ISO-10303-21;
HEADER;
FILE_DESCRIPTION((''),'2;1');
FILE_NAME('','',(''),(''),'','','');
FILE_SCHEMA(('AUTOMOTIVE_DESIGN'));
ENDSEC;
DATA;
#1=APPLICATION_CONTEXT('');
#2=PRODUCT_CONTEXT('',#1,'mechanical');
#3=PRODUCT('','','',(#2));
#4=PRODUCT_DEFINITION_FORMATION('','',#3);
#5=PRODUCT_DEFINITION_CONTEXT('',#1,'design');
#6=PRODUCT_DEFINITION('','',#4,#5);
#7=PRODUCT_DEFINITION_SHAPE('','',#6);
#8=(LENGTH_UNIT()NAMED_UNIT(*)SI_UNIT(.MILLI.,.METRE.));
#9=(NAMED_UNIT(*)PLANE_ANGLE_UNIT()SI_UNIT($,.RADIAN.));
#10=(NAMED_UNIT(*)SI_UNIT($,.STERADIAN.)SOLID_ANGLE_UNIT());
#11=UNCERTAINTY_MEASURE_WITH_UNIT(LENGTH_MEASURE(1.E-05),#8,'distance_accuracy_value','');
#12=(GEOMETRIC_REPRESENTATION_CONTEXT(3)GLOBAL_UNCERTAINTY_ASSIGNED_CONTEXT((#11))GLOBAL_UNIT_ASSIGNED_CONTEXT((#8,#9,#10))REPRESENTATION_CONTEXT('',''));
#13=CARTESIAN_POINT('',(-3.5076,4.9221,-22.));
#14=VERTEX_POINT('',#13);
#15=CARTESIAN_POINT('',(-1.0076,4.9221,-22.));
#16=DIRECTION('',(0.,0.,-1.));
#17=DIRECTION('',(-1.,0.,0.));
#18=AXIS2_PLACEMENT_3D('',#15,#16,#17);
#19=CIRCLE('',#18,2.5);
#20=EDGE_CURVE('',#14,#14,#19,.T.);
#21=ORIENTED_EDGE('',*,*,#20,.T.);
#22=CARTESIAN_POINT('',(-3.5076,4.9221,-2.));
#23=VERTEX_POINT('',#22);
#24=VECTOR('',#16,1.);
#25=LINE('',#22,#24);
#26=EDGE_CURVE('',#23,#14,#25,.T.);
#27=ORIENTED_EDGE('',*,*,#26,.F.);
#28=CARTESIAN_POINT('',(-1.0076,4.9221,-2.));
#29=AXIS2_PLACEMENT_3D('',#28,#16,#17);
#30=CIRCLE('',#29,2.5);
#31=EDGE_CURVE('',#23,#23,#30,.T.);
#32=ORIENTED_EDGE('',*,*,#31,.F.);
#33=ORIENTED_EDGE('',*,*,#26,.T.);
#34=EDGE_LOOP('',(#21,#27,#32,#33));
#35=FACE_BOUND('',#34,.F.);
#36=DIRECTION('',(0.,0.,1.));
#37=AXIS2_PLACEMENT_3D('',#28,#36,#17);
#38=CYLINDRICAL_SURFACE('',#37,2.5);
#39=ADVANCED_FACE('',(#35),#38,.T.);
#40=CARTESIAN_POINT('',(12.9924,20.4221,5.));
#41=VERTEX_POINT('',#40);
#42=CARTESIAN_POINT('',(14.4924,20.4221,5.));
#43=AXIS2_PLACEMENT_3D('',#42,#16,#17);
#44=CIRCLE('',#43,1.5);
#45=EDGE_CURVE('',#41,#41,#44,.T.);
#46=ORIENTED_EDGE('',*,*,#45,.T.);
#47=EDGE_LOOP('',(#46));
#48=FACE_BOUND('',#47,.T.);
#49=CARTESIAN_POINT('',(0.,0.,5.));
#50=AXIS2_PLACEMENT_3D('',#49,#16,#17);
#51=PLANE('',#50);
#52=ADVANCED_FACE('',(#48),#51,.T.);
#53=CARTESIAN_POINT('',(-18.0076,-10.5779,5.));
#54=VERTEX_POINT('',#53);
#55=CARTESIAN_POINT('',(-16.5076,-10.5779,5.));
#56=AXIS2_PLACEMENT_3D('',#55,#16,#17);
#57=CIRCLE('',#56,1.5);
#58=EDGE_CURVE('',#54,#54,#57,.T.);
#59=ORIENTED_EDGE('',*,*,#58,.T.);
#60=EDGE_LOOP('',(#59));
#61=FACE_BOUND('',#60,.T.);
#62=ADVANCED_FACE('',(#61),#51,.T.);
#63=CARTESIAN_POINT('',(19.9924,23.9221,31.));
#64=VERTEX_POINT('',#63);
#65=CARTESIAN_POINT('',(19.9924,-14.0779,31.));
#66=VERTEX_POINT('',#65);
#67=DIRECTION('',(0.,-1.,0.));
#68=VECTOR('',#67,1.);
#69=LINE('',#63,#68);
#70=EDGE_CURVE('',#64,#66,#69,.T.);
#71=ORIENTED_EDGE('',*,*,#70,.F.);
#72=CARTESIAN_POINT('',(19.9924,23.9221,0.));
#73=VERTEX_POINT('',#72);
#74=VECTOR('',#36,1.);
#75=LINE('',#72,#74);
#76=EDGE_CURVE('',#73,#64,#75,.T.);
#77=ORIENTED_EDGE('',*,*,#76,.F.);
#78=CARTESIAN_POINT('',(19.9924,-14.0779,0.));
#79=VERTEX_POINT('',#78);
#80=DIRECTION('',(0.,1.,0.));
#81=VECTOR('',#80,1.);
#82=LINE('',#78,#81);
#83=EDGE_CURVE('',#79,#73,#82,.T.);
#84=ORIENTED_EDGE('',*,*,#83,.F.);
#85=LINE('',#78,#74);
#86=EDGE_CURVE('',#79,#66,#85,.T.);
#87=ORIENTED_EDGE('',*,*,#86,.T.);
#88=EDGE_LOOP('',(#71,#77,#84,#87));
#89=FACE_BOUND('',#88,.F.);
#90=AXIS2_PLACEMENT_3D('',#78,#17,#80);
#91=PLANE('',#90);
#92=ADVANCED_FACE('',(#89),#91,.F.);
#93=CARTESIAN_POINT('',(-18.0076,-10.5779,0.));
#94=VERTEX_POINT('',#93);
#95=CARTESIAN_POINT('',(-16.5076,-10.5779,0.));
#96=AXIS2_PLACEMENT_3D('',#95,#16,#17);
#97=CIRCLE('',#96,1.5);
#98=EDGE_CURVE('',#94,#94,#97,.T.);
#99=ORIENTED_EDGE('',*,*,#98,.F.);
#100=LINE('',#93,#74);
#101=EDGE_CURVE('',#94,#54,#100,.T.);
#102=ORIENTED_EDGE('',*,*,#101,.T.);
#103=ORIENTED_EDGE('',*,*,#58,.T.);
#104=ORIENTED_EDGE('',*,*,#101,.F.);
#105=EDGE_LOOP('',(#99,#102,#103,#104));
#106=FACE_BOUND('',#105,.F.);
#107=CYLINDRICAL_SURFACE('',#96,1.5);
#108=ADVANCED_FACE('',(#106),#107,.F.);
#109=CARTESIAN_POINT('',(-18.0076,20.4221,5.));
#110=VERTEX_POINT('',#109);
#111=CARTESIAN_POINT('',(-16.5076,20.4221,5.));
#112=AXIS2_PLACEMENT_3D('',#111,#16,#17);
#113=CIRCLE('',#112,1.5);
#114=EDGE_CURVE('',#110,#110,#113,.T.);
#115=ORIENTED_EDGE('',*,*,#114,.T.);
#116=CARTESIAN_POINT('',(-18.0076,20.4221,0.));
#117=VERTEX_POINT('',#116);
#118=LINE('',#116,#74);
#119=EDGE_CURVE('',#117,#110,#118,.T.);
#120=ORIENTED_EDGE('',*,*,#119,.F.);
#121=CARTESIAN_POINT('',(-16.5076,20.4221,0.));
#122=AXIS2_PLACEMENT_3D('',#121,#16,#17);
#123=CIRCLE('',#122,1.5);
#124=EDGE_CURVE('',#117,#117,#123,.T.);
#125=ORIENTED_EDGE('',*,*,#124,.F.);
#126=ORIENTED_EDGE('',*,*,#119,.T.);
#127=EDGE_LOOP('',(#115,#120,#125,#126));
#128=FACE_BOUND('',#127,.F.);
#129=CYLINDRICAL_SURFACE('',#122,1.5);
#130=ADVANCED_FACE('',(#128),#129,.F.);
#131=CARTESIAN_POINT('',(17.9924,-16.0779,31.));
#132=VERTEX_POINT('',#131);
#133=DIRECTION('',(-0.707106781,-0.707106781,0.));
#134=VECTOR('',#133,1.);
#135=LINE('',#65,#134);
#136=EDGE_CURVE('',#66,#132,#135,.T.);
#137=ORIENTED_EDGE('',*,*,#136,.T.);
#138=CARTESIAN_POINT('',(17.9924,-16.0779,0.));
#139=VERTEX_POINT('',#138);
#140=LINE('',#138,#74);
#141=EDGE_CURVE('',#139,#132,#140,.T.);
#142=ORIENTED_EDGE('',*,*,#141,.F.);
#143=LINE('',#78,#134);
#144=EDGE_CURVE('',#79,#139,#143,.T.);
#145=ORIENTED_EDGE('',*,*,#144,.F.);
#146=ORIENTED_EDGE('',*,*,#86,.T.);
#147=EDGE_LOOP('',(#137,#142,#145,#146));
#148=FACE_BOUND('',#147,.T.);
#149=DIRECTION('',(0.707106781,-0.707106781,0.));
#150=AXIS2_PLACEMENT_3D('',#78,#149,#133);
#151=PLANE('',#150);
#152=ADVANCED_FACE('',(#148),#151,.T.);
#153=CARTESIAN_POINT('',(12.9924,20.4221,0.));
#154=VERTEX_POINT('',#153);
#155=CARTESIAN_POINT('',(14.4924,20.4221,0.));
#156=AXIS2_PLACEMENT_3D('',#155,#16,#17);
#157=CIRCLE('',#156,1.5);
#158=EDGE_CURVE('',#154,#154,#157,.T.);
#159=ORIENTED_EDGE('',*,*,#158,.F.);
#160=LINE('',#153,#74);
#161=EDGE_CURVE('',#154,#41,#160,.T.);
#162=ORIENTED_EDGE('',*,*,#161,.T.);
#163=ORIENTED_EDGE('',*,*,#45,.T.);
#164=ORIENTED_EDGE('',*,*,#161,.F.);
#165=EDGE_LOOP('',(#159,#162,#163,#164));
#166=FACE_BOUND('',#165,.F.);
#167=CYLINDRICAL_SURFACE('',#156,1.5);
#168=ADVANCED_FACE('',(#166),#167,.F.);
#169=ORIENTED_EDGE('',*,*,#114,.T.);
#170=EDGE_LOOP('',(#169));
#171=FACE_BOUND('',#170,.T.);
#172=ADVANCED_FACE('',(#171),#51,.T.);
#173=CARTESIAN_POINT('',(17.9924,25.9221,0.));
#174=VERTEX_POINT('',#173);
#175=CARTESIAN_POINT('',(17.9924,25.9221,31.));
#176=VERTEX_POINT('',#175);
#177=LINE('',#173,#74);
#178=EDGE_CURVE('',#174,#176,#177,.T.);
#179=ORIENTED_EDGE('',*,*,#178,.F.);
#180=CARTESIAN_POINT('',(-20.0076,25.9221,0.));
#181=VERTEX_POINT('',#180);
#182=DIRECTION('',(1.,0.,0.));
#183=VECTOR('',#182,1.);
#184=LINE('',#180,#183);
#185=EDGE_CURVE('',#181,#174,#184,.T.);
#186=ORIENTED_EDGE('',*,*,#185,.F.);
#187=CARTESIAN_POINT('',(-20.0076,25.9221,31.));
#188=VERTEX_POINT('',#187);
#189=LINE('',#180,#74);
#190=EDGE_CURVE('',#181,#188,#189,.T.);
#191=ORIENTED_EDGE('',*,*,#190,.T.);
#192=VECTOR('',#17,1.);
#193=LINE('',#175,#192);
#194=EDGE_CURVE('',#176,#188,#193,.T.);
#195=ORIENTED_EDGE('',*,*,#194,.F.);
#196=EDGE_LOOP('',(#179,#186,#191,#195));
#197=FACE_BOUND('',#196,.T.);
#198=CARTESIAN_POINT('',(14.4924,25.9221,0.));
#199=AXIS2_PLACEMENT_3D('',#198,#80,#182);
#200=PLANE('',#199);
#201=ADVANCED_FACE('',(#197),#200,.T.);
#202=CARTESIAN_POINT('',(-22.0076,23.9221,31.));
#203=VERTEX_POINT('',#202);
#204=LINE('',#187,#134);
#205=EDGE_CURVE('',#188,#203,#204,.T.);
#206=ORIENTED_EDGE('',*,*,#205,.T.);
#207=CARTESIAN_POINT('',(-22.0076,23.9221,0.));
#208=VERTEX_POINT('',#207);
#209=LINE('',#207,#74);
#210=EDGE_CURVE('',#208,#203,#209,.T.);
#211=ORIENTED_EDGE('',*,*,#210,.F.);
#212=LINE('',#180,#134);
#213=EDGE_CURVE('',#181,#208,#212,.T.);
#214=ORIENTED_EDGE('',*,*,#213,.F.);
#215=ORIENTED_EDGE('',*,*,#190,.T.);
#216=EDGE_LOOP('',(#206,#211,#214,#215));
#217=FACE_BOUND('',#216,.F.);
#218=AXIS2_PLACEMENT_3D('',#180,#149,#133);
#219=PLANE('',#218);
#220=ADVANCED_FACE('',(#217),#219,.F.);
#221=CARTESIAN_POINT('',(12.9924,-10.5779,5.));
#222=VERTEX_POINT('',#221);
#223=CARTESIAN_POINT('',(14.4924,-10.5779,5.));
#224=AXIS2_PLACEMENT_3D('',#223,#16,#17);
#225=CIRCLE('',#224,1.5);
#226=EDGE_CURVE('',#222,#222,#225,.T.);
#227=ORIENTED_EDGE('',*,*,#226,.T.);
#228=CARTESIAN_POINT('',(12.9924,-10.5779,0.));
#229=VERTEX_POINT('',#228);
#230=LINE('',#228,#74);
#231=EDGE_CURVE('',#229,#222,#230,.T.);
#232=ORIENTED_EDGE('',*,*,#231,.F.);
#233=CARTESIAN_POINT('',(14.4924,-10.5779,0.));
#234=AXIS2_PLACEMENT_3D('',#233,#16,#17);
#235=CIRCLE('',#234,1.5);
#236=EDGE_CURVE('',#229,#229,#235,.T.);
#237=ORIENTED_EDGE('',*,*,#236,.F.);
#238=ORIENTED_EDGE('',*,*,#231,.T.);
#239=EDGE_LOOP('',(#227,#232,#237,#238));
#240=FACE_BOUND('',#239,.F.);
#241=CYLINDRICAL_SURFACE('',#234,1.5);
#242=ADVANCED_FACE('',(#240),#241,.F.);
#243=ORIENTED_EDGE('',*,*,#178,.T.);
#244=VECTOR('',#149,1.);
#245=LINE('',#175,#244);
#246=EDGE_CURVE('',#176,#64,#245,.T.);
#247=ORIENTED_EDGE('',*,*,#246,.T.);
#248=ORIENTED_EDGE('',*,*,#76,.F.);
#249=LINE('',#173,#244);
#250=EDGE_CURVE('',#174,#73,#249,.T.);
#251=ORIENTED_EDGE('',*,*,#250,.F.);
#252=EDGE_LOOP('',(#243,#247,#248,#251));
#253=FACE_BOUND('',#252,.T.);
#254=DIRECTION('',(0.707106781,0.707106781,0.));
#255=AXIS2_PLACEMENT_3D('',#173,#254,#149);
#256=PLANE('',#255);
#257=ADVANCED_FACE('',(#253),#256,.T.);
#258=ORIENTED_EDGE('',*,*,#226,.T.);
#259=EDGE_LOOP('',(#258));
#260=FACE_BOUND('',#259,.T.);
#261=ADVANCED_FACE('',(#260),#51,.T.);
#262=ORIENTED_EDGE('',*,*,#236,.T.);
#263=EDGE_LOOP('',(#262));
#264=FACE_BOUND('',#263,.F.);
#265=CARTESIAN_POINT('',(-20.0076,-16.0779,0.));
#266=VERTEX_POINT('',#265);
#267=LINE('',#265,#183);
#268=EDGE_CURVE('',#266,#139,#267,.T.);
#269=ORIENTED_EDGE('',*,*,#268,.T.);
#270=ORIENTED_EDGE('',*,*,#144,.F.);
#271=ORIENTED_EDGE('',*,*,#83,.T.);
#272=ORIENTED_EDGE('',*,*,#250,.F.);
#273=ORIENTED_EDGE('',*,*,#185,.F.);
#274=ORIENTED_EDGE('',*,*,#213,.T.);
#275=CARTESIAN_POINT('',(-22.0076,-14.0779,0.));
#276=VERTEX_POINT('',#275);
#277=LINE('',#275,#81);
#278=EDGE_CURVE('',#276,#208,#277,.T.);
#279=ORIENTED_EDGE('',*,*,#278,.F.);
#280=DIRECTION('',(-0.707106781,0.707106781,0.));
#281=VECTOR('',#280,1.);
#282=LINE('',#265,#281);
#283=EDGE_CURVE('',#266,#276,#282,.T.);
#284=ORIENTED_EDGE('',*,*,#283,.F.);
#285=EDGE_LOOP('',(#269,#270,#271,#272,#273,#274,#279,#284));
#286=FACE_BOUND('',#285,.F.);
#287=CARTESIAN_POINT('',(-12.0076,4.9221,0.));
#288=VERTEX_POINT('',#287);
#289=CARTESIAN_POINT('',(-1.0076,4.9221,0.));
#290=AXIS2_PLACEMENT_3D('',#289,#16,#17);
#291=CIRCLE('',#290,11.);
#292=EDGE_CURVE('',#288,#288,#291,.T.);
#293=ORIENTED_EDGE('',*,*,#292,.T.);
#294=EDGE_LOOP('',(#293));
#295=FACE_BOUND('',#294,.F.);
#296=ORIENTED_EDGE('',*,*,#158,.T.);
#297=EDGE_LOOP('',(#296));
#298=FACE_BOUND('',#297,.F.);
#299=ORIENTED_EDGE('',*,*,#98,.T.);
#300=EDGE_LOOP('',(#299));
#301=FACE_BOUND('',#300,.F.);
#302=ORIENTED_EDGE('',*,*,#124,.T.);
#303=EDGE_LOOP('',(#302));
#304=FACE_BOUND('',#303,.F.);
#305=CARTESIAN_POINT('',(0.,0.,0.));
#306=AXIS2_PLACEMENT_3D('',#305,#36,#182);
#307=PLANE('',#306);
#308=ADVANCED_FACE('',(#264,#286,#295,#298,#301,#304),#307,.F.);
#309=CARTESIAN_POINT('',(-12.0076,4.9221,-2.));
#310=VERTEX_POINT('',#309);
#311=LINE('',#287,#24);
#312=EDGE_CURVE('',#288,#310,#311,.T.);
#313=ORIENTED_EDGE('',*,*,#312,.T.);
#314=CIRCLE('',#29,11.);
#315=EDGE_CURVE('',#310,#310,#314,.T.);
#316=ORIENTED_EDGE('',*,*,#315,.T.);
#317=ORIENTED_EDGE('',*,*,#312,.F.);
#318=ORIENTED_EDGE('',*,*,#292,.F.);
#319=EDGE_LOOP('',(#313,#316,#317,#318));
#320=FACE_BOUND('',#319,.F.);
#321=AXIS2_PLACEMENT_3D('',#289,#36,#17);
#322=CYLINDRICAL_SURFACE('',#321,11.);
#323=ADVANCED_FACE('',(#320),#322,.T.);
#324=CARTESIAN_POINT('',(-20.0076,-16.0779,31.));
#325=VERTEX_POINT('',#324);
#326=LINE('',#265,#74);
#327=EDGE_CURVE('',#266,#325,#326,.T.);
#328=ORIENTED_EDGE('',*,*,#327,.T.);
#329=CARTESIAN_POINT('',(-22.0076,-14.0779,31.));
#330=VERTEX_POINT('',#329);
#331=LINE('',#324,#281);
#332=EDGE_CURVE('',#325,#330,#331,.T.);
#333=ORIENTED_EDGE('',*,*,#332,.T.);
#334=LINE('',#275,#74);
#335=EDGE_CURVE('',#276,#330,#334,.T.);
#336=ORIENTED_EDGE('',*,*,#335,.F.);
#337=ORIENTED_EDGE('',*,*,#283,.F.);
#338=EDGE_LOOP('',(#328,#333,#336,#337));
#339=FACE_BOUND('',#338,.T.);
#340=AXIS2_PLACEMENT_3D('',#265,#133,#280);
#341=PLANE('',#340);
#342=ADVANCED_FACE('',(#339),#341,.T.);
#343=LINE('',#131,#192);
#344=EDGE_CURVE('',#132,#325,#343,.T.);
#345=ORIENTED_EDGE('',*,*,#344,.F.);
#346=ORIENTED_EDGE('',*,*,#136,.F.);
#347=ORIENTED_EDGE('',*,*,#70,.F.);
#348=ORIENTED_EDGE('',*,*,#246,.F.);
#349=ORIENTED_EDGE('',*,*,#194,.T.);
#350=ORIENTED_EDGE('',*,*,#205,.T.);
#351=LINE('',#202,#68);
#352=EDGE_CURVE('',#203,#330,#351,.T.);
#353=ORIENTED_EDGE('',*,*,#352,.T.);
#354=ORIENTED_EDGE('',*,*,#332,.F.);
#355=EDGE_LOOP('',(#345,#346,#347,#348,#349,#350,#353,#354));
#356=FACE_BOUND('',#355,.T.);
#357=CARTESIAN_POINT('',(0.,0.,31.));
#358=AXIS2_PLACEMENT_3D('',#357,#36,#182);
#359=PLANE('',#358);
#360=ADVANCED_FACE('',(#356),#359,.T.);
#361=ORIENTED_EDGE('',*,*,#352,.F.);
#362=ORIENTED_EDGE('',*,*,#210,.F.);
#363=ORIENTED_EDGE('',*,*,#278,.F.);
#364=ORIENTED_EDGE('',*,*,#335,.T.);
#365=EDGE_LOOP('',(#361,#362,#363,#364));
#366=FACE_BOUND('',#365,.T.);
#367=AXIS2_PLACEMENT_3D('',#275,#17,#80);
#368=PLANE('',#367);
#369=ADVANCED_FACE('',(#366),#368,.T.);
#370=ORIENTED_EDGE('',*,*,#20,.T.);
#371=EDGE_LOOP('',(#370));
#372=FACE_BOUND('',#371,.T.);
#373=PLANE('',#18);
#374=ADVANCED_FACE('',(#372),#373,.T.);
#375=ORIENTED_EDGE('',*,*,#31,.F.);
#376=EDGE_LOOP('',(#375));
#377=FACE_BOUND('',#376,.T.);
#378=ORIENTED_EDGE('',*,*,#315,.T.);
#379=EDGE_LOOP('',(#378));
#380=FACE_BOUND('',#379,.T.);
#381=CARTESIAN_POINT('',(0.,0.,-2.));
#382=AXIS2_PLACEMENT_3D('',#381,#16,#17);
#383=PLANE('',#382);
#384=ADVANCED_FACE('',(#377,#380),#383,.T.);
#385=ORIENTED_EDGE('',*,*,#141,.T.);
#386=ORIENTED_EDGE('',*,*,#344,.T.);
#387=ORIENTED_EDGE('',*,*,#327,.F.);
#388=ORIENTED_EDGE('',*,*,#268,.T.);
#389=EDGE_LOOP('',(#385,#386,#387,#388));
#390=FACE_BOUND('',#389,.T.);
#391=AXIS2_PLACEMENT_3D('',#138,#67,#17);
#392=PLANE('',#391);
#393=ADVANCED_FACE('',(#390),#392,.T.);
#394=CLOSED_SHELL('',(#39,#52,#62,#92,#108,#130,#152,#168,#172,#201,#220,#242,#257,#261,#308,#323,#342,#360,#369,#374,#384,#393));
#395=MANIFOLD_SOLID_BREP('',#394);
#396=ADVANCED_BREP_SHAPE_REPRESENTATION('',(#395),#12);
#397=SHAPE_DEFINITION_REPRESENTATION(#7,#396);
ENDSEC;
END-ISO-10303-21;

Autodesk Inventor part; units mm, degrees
ref_plane "YZ Plane" through (0, 0, 0) normal (1, 0, 0) x (0, 1, 0)
ref_plane "XZ Plane" through (0, 0, 0) normal (0, 1, 0) x (-1, 0, 0)
ref_plane "XY Plane" through (0, 0, 0) normal (0, 0, 1) x (1, 0, 0)
sketch "Sketch1" plane through (0, 0, 0) normal (0, 0, 1) x (1, 0, 0)
  line L0 (19.9924, -21.8579) -> (16.7724, -25.0779) projected
  line L1 (19.9924, -21.8579) -> (19.9924, 20.4221) projected
  arc A0 (19.9924, 20.4221) -> (14.4924, 25.9221) centre (14.4924, 20.4221) ccw construction
  line L2 (14.4924, 25.9221) -> (14.2174, 25.9221) projected
  line L3 (14.2174, 25.9221) -> (14.2174, 26.4221) projected
  line L4 (9.7174, 30.9221) -> (14.2174, 26.4221) projected
  line L5 (-3.2826, 30.9221) -> (3.2174, 30.9221) projected
  line L6 (-7.7826, 26.4221) -> (-3.2826, 30.9221) projected
  line L7 (-7.7826, 25.9221) -> (-7.7826, 26.4221) projected
  line L8 (-7.7826, 25.9221) -> (-16.5076, 25.9221) projected
  arc A1 (-16.5076, 25.9221) -> (-22.0076, 20.4221) centre (-16.5076, 20.4221) ccw construction
  line L9 (-22.0076, 20.4221) -> (-22.0076, -10.5779) projected
  arc A2 (-22.0076, -10.5779) -> (-16.5076, -16.0779) centre (-16.5076, -10.5779) ccw construction
  line L10 (-16.5076, -16.0779) -> (-13.0076, -16.0779) projected
  line L11 (-13.0076, -16.0779) -> (-13.0076, -21.8579) projected
  line L12 (-9.7876, -25.0779) -> (-13.0076, -21.8579) projected
  line L13 (-9.7876, -25.0779) -> (-9.7826, -25.0779) projected
  line L14 (-12.7826, -28.0779) -> (-9.7826, -25.0779) projected
  line L15 (-15.5326, -28.0779) -> (-12.7826, -28.0779) projected
  line L16 (-15.5326, -28.0779) -> (-15.5326, -66.0779) projected
  arc A3 (-15.5326, -66.0779) -> (-9.5326, -72.0779) centre (-9.5326, -66.0779) ccw projected
  line L17 (-9.5326, -72.0779) -> (15.9674, -72.0779) projected
  arc A4 (15.9674, -72.0779) -> (21.9674, -66.0779) centre (15.9674, -66.0779) ccw projected
  line L18 (21.9674, -28.0779) -> (21.9674, -66.0779) projected
  line L19 (19.2174, -28.0779) -> (21.9674, -28.0779) projected
  line L20 (19.2174, -28.0779) -> (16.2174, -25.0779) projected
  line L21 (16.2174, -25.0779) -> (16.7724, -25.0779) projected
  circle A5 centre (-16.5076, 20.4221) radius 1.7 construction
  circle A6 centre (14.4924, 20.4221) radius 1.7 construction
  circle A7 centre (14.4924, -10.5779) radius 1.7 construction
  circle A8 centre (-16.5076, -10.5779) radius 1.7 construction
  circle A9 centre (14.7174, -41.5779) radius 2.25 projected
  circle A10 centre (-8.2826, -41.5779) radius 2.25 projected
  circle A11 centre (14.7174, -64.5779) radius 2.25 projected
  circle A12 centre (-8.2826, -64.5779) radius 2.25 projected
  circle A13 centre (-1.0076, 4.9221) radius 12.5 construction
  line L22 (-20.0076, 25.9221) -> (17.9924, 25.9221)
  line L23 (19.9924, 23.9221) -> (19.9924, -14.0779)
  line L24 (17.9924, -16.0779) -> (-20.0076, -16.0779)
  line L25 (-22.0076, -14.0779) -> (-22.0076, 23.9221)
  line L26 (-22.0076, 25.9221) -> (19.9924, -16.0779) construction
  line L27 (19.9924, 25.9221) -> (-22.0076, -16.0779) construction
  line L28 (-20.0076, 25.9221) -> (-22.0076, 23.9221)
  line L29 (17.9924, 25.9221) -> (19.9924, 23.9221)
  line L30 (19.9924, -14.0779) -> (17.9924, -16.0779)
  line L31 (-20.0076, -16.0779) -> (-22.0076, -14.0779)
  line L32 (7.7174, 40.9221) -> (8.8956, 39.0987) projected
  line L33 (5.2174, 40.9221) -> (7.7174, 40.9221) projected
  line L34 (3.2174, 38.9221) -> (5.2174, 40.9221) projected
  line L35 (3.2174, 30.9221) -> (3.2174, 38.9221) projected
  arc A14 (8.8956, 39.0987) -> (9.7174, 30.9221) centre (18.3776, 35.9221) ccw projected
  point P0 (0, 0)
  dimension "d0" = 2
  dimension "d1" = 2
  dimension "d2" = 2
  dimension "d3" = 2
  dimension "d4" = 2
  dimension "d5" = 2
  dimension "d6" = 2
  dimension "d7" = 2
extrude "Extrusion1" add sketch "Sketch1" along normal blind 31 contours L30 L24 L10 L31 L25 L9 L28 L22 L8 L2 L29 L23 L1
sketch "Sketch2" plane through (0, 0, 0) normal (0, 0, -1) x (-1, 0, 0)
  circle A0 centre (1.0076, 4.9221) radius 12.5 projected
  circle A1 centre (1.0076, 4.9221) radius 11
  point P0 (0, 0)
  dimension "d10" = 22
extrude "Extrusion2" add sketch "Sketch2" along normal blind 2 contours A1
sketch "Sketch3" plane through (0, 0, 0) normal (0, 0, -1) x (-1, 0, 0)
  line L0 (20.0076, 25.9221) -> (22.0076, 23.9221) projected
  line L1 (-19.9924, 23.9221) -> (-17.9924, 25.9221) projected
  line L2 (-17.9924, -16.0779) -> (-19.9924, -14.0779) projected
  line L3 (22.0076, -14.0779) -> (20.0076, -16.0779) projected
  circle A0 centre (-14.4924, 20.4221) radius 1.5
  circle A1 centre (16.5076, 20.4221) radius 1.5
  line L4 (-18.9924, 24.9221) -> (21.0076, -15.0779) construction
  line L5 (21.0076, 24.9221) -> (-18.9924, -15.0779) construction
  circle A2 centre (-14.4924, -10.5779) radius 1.5
  circle A3 centre (16.5076, -10.5779) radius 1.5
  point P0 (0, 0)
  dimension "d13" = 31
  dimension "d14" = 3
extrude "Extrusion3" cut sketch "Sketch3" against normal blind 5
sketch "Sketch4" plane through (-1.0076, 4.9221, -2) normal (0, 0, -1) x (-1, 0, 0)
  circle A0 centre (0, 0) radius 11 projected
  circle A1 centre (0, 0) radius 2.5
  point P0 (-1.0076, -4.9221)
  dimension "d17" = 5
extrude "Extrusion4" add sketch "Sketch4" along normal blind 20 contours A1
equation "\"d1\" = d0"
equation "\"d2\" = d0"
equation "\"d3\" = d2"
equation "\"d4\" = d0"
equation "\"d5\" = d4"
equation "\"d6\" = d0"
equation "\"d7\" = d6"
properties part number "NEMA17"
